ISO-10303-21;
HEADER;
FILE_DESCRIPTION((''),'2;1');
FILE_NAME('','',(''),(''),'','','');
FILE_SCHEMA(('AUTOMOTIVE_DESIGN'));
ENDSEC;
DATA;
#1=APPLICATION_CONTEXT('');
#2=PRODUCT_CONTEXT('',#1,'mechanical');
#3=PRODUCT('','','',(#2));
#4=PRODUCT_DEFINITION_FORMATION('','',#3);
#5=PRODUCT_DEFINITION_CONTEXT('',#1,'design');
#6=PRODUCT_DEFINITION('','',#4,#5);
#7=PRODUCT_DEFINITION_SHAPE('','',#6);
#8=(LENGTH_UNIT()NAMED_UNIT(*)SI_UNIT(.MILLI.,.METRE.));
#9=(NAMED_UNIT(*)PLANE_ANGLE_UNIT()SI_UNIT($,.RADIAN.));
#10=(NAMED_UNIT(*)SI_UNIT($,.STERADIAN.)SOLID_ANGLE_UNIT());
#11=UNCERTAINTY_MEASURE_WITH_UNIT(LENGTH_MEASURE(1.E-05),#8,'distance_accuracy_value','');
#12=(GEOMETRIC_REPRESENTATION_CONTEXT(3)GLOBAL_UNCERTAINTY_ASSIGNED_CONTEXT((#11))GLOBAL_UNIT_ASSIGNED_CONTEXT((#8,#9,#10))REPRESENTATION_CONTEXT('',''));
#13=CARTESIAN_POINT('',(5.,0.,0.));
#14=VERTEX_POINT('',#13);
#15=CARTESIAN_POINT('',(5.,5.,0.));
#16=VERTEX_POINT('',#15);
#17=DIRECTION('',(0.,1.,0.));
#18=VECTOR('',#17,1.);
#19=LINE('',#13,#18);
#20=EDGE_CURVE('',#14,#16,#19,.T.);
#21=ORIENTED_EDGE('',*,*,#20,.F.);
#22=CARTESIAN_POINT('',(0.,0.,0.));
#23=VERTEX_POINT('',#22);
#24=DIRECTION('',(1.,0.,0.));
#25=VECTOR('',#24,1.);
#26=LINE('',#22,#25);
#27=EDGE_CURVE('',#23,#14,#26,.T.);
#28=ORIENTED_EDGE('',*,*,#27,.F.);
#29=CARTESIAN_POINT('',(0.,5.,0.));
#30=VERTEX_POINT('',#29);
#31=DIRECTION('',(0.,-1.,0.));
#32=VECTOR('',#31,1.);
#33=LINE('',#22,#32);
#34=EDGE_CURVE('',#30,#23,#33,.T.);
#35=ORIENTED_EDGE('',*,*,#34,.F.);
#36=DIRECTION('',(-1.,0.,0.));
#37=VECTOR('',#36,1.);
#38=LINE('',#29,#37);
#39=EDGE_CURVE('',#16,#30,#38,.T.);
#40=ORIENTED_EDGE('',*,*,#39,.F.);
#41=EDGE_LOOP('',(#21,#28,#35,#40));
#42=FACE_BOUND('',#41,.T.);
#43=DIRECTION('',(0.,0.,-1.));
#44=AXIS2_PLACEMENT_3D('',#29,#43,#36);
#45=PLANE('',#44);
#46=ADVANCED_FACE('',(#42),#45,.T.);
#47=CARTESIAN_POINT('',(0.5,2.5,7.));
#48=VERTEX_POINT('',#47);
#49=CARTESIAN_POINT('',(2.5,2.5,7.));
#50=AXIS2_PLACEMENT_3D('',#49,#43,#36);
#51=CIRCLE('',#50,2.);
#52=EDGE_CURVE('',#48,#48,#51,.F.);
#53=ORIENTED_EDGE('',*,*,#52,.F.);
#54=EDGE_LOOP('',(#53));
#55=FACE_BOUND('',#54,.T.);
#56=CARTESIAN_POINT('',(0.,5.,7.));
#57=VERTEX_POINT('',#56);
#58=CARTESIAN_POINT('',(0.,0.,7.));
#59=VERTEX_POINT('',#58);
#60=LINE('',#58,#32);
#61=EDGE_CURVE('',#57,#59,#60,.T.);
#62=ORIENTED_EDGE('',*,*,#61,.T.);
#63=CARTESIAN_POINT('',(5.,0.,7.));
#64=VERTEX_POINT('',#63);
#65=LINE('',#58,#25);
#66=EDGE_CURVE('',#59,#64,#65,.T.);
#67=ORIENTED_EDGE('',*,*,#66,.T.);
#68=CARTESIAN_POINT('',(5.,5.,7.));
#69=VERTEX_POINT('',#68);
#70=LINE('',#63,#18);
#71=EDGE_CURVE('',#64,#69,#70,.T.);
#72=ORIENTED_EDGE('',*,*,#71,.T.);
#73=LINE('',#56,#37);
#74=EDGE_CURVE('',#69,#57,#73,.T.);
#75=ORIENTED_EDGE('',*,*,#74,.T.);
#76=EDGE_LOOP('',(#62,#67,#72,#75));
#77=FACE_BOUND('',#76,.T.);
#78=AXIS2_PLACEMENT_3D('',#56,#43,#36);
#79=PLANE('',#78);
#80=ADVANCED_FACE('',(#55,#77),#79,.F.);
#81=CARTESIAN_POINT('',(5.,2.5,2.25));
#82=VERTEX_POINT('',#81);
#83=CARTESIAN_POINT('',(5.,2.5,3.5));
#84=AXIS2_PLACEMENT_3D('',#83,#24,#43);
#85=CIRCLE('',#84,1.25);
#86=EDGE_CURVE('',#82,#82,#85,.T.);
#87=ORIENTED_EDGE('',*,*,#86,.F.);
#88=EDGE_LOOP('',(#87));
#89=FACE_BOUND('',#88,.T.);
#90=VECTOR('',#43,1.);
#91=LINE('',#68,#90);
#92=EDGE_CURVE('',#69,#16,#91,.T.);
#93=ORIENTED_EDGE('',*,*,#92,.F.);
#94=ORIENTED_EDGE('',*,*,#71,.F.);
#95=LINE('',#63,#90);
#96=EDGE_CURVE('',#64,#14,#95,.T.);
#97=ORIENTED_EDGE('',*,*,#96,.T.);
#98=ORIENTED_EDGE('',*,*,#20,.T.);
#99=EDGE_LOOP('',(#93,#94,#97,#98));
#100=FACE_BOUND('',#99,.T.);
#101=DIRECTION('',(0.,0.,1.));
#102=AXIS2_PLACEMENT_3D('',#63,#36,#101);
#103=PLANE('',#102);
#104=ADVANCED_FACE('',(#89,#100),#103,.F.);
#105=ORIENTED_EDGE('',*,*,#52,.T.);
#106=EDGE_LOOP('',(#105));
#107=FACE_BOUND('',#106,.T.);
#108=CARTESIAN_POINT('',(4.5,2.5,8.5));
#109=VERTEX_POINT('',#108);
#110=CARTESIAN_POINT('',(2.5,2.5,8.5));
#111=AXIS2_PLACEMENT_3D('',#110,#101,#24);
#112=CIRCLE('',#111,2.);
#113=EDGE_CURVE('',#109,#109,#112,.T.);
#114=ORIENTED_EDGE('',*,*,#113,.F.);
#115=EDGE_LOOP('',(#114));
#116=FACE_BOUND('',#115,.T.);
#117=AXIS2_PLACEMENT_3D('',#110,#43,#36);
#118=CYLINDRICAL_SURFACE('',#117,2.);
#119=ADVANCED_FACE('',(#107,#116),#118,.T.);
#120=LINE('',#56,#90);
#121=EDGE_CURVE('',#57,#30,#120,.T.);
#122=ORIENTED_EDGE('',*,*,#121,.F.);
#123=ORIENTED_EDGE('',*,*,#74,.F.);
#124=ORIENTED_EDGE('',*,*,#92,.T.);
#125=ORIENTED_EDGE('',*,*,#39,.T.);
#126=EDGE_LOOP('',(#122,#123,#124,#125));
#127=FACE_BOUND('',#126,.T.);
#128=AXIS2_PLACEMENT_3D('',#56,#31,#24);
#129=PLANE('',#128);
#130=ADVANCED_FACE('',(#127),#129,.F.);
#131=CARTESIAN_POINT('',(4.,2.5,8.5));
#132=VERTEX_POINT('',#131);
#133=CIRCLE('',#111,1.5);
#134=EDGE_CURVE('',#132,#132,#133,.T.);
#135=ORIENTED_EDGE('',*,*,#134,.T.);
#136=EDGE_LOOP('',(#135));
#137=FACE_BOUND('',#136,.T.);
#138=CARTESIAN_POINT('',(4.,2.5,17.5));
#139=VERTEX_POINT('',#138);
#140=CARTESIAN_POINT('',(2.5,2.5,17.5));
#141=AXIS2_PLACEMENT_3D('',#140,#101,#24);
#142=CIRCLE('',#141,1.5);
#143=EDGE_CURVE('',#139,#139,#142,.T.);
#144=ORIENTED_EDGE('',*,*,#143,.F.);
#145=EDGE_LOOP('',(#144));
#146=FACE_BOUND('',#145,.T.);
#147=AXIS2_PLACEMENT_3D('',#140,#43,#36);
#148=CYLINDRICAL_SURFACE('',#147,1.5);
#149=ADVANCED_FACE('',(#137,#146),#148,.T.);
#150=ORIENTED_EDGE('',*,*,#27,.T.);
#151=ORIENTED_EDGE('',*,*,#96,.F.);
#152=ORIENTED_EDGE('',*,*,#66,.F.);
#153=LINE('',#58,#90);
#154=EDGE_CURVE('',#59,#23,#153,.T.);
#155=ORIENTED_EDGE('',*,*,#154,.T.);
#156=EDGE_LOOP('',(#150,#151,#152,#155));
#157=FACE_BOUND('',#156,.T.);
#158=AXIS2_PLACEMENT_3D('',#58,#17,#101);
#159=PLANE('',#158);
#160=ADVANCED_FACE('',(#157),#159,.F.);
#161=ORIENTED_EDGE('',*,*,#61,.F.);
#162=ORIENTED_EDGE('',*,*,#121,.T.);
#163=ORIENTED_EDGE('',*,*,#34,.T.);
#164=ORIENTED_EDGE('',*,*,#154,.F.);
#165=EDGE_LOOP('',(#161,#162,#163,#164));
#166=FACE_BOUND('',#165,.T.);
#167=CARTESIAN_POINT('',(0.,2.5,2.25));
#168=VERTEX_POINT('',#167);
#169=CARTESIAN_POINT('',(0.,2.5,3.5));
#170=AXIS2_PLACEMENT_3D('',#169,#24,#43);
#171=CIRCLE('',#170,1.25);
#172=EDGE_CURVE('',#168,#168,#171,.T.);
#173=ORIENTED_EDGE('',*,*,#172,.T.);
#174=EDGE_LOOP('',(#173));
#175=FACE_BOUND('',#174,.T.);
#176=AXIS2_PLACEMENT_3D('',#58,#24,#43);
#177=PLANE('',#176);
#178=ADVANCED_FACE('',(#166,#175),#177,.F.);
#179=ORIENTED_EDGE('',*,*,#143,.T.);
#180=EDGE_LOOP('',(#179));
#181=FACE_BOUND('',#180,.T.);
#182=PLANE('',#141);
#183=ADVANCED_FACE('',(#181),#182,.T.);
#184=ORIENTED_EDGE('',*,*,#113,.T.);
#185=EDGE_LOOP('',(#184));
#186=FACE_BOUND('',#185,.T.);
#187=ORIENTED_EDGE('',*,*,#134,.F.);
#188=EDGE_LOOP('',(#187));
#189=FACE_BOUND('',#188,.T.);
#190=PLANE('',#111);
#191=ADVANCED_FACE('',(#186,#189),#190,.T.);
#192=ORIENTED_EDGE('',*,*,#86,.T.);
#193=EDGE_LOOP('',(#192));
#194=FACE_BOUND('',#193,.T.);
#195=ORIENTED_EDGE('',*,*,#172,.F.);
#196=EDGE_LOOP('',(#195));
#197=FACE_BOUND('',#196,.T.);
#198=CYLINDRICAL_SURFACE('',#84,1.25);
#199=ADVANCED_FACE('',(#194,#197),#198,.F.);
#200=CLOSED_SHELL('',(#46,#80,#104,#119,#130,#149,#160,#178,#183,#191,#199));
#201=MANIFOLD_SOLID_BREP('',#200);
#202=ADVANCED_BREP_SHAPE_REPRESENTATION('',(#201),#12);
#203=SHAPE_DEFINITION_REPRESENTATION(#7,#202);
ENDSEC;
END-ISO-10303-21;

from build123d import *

# Parameters (mm, degrees)
SKETCH_1_W             = 5
SKETCH_1_H             = 5
EXTRUDE_1_DEPTH        = 7
SKETCH_2_R             = 2
EXTRUDE_2_DEPTH        = 1.5
SKETCH_3_R             = 1.5
EXTRUDE_3_DEPTH        = 9
HOLE_WIZARD_M3_2_D     = 2.5
HOLE_WIZARD_M3_2_DEPTH = 7.5
HOLE_WIZARD_M3_2_TIP   = 0.751075774


with BuildPart() as part:
    # 草图1 → 凸台-拉伸1 (new body)
    with BuildSketch(Plane.XY):
        with Locations((2.5, 2.5)):
            Rectangle(SKETCH_1_W, SKETCH_1_H)
    extrude(amount=EXTRUDE_1_DEPTH)

    # 草图2 → 凸台-拉伸2 (add)
    with BuildSketch(Plane.XY.offset(7)):
        with Locations((2.5, 2.5)):
            Circle(SKETCH_2_R)
    extrude(amount=EXTRUDE_2_DEPTH)

    # 草图3 → 凸台-拉伸3 (add)
    with BuildSketch(Plane.XY.offset(8.5)):
        with Locations((2.5, 2.5)):
            Circle(SKETCH_3_R)
    extrude(amount=EXTRUDE_3_DEPTH)

    # M3 螺纹孔2
    with Locations(Plane(origin=(5, 2.5, 3.5), x_dir=(0, 0, 1), z_dir=(1, 0, 0))):
        with Locations((0, 0)):
            Hole(HOLE_WIZARD_M3_2_D / 2, depth=HOLE_WIZARD_M3_2_DEPTH)
            with Locations((0, 0, -(HOLE_WIZARD_M3_2_DEPTH + HOLE_WIZARD_M3_2_TIP / 2))):  # 118° drill point
                Cone(0, HOLE_WIZARD_M3_2_D / 2, HOLE_WIZARD_M3_2_TIP, mode=Mode.SUBTRACT)


solid = part.part
